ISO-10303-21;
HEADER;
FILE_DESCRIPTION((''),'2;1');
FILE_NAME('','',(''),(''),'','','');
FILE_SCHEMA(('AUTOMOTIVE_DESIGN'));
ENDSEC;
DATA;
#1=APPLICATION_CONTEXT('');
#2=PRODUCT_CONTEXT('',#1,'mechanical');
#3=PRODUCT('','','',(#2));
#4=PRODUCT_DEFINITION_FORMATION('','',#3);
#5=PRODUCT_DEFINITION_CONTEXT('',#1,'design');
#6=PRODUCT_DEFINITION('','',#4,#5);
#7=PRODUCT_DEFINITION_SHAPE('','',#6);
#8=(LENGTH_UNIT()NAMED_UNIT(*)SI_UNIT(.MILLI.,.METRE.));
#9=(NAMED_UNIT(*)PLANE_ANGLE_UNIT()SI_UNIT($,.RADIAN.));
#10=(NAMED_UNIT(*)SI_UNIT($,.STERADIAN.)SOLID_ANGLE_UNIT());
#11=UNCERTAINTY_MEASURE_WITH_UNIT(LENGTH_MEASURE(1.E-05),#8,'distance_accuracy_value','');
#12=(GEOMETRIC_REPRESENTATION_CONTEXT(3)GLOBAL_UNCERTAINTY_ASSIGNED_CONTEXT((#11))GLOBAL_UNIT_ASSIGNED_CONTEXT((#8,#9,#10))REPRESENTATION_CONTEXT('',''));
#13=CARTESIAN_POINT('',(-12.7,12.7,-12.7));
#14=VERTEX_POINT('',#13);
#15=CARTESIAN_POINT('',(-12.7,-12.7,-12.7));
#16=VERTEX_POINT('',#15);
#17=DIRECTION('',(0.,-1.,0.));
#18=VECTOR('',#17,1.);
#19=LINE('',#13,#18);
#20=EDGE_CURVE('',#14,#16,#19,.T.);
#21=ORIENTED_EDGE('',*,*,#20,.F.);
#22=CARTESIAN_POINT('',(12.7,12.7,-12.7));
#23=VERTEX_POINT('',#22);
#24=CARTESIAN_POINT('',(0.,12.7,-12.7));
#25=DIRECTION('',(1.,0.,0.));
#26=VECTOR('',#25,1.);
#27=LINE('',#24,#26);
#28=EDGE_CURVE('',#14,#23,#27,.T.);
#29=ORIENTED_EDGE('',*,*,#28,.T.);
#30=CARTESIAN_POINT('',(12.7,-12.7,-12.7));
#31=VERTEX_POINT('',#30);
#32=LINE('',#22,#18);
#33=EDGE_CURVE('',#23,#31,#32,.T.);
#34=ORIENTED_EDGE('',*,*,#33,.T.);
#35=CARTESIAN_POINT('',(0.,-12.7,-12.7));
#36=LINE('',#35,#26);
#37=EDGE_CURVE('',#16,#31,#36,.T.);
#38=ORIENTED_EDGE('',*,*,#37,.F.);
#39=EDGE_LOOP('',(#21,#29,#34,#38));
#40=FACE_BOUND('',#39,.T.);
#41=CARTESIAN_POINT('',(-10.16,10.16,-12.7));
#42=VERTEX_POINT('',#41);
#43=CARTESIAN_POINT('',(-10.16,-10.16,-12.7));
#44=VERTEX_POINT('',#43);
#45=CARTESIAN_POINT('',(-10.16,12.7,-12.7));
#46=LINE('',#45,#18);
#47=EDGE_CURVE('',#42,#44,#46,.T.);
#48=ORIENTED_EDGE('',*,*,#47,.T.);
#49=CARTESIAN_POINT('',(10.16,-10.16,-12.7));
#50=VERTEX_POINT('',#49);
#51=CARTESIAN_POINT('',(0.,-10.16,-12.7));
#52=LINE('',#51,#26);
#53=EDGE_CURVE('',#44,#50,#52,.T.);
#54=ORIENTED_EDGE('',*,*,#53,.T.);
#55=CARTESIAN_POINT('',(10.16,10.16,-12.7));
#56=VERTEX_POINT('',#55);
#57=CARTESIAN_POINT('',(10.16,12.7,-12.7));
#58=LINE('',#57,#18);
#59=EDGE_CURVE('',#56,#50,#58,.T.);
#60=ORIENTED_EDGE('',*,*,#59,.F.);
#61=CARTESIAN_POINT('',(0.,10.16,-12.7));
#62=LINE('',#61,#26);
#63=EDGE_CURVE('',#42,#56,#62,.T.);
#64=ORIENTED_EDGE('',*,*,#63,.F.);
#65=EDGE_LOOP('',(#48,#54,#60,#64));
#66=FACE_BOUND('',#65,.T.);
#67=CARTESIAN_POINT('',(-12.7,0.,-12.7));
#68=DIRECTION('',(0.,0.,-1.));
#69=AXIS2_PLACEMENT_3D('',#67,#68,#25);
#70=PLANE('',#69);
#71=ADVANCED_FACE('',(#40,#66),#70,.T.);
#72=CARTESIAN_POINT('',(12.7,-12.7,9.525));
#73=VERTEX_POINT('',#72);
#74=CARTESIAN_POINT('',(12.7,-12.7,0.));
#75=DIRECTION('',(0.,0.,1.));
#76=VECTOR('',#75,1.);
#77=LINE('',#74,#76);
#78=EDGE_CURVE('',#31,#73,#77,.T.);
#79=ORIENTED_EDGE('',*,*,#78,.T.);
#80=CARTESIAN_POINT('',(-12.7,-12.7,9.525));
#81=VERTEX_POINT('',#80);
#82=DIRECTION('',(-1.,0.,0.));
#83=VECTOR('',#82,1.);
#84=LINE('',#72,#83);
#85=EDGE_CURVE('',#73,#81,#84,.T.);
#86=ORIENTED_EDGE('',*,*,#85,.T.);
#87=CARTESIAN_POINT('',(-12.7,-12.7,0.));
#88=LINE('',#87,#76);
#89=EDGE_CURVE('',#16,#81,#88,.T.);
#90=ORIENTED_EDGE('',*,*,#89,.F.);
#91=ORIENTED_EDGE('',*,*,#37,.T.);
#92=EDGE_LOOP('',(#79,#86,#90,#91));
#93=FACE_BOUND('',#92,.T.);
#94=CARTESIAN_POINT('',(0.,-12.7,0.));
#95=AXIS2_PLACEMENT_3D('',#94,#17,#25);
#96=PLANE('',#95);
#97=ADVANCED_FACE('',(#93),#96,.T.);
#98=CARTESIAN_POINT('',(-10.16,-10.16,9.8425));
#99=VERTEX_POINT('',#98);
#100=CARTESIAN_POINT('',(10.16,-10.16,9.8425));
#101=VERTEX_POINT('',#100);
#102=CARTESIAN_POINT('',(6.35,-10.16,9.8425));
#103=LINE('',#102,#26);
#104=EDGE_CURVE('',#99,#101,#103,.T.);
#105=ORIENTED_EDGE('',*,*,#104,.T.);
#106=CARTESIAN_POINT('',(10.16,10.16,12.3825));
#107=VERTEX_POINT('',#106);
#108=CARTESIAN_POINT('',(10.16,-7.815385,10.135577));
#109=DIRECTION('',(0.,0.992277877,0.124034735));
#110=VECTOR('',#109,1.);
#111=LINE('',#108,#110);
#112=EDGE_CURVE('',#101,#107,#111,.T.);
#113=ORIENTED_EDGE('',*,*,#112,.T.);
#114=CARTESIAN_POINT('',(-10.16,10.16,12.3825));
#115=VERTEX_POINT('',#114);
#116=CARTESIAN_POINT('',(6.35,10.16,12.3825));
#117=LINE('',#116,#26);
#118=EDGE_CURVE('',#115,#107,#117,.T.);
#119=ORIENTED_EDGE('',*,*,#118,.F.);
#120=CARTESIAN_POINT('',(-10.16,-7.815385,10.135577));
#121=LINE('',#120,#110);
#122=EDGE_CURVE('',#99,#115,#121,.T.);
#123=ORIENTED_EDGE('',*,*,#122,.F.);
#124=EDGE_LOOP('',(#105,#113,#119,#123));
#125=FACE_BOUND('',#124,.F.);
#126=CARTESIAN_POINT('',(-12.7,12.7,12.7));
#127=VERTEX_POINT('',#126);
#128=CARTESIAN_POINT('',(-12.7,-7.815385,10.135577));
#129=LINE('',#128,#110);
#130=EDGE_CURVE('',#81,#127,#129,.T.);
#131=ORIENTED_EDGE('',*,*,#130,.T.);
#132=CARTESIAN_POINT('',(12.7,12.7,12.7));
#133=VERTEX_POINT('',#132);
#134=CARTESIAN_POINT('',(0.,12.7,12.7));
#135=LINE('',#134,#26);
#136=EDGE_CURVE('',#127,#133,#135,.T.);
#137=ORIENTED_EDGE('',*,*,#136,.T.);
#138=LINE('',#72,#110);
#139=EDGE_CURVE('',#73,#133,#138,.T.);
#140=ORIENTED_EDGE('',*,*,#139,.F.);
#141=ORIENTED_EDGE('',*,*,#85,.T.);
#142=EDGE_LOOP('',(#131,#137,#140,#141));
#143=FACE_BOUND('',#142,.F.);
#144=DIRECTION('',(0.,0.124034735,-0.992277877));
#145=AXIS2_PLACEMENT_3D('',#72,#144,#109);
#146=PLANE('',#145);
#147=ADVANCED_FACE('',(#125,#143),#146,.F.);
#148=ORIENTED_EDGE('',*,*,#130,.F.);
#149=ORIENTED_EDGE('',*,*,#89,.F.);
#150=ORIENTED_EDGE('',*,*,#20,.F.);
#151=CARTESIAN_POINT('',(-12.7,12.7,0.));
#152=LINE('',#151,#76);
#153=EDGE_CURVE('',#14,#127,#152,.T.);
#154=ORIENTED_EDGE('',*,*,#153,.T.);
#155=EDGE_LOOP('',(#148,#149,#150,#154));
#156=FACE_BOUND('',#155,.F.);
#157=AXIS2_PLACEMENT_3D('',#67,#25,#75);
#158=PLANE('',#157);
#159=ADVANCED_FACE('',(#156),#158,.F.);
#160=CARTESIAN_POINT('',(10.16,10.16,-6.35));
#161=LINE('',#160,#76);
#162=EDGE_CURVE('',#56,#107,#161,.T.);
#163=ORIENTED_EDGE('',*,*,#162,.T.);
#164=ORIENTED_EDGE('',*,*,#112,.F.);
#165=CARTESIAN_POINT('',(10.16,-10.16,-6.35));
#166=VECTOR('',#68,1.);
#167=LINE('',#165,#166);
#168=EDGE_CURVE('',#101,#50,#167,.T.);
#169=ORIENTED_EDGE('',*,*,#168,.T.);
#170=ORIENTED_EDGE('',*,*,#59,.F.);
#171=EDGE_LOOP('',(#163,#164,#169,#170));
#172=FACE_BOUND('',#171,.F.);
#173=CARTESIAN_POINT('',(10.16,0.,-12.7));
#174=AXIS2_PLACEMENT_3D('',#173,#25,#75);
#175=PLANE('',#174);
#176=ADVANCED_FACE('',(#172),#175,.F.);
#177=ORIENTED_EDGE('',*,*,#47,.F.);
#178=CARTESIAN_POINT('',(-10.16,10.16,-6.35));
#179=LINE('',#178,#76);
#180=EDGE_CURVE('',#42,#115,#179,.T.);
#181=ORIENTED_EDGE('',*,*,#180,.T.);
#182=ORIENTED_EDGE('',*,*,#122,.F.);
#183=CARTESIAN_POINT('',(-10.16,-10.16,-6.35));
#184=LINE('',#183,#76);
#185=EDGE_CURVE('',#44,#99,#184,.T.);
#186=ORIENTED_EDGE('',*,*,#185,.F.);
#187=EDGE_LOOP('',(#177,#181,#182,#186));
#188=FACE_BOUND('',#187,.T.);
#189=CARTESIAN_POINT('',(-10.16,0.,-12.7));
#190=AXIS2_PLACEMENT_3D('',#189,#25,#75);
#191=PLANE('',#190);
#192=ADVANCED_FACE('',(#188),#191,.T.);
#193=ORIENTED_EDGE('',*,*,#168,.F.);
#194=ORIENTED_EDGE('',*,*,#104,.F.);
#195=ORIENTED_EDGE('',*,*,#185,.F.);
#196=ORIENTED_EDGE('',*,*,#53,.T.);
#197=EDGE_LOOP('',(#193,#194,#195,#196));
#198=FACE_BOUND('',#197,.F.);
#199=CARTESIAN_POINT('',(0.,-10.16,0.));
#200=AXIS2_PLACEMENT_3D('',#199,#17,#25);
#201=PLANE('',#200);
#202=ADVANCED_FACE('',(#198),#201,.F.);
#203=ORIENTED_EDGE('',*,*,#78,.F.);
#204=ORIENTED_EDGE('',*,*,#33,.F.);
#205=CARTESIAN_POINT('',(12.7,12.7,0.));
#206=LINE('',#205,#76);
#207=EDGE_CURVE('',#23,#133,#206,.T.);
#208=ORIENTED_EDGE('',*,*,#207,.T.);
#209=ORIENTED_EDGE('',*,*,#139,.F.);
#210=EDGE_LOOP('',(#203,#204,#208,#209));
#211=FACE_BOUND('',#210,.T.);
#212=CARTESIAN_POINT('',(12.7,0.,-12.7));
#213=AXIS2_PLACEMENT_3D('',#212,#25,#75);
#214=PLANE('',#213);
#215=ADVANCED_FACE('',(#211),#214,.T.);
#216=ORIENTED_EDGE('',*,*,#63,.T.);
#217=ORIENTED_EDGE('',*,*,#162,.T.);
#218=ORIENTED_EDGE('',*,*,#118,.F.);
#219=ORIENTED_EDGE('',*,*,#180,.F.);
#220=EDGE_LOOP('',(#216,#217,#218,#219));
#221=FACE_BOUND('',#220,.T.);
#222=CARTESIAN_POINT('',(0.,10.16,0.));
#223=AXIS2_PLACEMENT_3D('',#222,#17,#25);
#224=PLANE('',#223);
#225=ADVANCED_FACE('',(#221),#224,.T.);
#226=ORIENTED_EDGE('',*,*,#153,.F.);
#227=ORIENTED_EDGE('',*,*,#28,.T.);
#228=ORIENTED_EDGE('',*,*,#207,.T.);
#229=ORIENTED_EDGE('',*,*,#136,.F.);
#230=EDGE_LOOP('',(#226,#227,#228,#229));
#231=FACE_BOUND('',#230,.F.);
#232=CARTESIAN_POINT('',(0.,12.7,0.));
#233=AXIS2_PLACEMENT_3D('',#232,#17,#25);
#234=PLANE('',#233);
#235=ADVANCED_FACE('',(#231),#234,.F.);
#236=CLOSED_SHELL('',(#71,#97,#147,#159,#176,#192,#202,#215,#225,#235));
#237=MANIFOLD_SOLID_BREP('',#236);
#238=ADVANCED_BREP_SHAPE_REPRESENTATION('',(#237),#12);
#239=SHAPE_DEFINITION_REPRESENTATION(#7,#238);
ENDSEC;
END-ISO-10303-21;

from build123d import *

# Parameters (mm, degrees)
F0_W     = 25.4
F0_H     = 25.4
F1_DEPTH = 12.7
F2_T     = -2.54
F4_DEPTH = 25.401


with BuildPart() as f1:
    # F0 (on Front) → F1 (new body, symmetric)
    with BuildSketch(Plane.XZ):
        Rectangle(F0_W, F0_H)
    extrude(amount=F1_DEPTH, both=True)

    # F2
    f2_openings = [f1.faces().sort_by_distance(p)[0] for p in [
        (0, 0, 12.7),
        (0, 0, -12.7),
    ]]
    offset(amount=F2_T, openings=f2_openings)

    # F3 (on face) → F4 (cut, through all)
    with BuildSketch(Plane.YZ.offset(12.7)):
        Polygon((-12.7, 12.7), (-12.7, 9.525), (12.7, 12.7), align=None)
    extrude(amount=-F4_DEPTH, mode=Mode.SUBTRACT)


solid = f1.part
